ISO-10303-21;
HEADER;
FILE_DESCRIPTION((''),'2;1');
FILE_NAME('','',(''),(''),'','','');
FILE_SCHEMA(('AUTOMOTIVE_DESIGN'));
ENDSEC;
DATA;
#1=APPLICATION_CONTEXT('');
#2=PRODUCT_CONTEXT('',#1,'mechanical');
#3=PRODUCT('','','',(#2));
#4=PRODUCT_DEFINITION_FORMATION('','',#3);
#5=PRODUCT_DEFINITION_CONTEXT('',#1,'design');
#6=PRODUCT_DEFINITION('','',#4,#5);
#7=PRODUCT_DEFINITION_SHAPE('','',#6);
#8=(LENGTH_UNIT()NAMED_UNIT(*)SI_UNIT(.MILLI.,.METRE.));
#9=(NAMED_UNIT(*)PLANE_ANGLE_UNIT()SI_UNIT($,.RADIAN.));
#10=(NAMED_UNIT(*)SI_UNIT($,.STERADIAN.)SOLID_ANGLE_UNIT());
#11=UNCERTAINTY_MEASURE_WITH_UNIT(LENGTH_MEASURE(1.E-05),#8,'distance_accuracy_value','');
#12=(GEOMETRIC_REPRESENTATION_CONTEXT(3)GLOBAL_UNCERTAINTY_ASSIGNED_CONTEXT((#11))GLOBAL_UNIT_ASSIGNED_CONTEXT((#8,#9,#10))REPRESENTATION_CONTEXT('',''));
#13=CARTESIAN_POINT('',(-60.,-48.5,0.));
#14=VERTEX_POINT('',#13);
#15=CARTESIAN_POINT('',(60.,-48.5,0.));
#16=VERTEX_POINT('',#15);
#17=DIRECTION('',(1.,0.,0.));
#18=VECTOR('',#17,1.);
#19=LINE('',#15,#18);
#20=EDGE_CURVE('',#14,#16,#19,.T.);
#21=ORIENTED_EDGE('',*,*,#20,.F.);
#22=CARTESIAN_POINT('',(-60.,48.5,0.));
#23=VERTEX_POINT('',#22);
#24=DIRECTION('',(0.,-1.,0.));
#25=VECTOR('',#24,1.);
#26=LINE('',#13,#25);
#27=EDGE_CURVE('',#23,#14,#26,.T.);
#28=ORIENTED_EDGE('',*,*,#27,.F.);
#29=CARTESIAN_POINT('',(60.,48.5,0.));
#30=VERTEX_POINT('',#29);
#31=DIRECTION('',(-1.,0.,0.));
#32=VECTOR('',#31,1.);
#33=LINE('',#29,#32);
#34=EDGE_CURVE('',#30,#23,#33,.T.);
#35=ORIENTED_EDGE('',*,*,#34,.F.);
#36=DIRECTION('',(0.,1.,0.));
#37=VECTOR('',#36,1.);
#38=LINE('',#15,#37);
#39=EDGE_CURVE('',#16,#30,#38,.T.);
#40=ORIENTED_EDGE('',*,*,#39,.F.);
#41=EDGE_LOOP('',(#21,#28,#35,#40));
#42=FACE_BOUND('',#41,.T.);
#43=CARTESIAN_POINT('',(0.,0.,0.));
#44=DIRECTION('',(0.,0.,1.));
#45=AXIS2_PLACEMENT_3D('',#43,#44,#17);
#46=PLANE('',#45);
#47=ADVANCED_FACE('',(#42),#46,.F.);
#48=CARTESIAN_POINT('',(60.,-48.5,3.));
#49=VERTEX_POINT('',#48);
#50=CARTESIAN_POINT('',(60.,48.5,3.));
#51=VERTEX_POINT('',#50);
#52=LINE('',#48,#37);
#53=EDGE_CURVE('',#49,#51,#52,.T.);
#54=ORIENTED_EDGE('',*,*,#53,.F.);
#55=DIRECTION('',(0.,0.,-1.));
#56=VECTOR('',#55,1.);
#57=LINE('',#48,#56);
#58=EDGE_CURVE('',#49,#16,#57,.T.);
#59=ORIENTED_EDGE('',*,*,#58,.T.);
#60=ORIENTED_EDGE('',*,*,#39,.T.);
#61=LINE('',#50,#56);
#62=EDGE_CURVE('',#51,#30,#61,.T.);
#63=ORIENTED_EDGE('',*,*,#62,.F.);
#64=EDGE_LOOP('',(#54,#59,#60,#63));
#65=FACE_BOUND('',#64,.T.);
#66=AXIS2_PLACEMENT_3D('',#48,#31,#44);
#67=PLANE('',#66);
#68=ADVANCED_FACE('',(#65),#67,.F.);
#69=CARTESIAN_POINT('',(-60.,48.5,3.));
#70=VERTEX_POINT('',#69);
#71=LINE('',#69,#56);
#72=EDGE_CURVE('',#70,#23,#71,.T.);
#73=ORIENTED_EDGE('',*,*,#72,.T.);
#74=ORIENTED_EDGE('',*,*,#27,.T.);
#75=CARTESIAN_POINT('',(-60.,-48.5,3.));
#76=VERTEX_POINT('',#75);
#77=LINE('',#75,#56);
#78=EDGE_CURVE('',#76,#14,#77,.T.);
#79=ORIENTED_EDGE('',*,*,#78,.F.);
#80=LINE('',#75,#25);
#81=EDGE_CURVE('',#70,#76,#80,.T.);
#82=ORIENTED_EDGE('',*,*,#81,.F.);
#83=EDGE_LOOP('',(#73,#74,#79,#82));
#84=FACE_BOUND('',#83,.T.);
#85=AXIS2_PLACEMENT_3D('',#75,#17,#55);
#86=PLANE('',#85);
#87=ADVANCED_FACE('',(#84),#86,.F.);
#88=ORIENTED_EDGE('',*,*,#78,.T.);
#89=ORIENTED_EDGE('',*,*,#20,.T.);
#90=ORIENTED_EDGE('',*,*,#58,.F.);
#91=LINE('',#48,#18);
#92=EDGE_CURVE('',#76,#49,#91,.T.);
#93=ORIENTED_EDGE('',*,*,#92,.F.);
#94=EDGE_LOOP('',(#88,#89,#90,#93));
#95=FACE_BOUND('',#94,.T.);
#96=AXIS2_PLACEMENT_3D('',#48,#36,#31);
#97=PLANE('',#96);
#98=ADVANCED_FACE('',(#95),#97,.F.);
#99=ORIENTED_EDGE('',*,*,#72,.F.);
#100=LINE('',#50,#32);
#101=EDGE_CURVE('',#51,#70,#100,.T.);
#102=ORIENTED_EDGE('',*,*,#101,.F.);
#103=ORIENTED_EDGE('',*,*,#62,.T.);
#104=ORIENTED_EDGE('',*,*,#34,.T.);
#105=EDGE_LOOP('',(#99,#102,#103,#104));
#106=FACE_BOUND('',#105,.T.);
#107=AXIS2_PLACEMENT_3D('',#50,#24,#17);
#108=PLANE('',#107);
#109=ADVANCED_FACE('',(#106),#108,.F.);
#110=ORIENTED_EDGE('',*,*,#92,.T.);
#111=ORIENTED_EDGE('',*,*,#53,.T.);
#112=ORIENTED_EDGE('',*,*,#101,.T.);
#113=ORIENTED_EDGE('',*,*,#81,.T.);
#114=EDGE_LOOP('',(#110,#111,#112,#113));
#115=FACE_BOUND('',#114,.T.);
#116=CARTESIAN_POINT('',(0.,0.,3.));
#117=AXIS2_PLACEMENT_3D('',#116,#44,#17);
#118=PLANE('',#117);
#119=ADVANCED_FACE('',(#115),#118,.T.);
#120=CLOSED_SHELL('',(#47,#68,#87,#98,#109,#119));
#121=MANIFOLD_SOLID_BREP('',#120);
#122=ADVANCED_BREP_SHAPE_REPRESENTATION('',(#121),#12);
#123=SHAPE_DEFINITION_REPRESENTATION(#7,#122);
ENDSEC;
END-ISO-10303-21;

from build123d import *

# Parameters (mm, degrees)
ESBO_O1_W                = 120
ESBO_O1_H                = 97
RESSALTO_EXTRUS_O1_DEPTH = 3


with BuildPart() as part:
    # Esboço1 → Ressalto-extrusão1 (new body)
    with BuildSketch(Plane.XY):
        Rectangle(ESBO_O1_W, ESBO_O1_H)
    extrude(amount=RESSALTO_EXTRUS_O1_DEPTH)


solid = part.part
